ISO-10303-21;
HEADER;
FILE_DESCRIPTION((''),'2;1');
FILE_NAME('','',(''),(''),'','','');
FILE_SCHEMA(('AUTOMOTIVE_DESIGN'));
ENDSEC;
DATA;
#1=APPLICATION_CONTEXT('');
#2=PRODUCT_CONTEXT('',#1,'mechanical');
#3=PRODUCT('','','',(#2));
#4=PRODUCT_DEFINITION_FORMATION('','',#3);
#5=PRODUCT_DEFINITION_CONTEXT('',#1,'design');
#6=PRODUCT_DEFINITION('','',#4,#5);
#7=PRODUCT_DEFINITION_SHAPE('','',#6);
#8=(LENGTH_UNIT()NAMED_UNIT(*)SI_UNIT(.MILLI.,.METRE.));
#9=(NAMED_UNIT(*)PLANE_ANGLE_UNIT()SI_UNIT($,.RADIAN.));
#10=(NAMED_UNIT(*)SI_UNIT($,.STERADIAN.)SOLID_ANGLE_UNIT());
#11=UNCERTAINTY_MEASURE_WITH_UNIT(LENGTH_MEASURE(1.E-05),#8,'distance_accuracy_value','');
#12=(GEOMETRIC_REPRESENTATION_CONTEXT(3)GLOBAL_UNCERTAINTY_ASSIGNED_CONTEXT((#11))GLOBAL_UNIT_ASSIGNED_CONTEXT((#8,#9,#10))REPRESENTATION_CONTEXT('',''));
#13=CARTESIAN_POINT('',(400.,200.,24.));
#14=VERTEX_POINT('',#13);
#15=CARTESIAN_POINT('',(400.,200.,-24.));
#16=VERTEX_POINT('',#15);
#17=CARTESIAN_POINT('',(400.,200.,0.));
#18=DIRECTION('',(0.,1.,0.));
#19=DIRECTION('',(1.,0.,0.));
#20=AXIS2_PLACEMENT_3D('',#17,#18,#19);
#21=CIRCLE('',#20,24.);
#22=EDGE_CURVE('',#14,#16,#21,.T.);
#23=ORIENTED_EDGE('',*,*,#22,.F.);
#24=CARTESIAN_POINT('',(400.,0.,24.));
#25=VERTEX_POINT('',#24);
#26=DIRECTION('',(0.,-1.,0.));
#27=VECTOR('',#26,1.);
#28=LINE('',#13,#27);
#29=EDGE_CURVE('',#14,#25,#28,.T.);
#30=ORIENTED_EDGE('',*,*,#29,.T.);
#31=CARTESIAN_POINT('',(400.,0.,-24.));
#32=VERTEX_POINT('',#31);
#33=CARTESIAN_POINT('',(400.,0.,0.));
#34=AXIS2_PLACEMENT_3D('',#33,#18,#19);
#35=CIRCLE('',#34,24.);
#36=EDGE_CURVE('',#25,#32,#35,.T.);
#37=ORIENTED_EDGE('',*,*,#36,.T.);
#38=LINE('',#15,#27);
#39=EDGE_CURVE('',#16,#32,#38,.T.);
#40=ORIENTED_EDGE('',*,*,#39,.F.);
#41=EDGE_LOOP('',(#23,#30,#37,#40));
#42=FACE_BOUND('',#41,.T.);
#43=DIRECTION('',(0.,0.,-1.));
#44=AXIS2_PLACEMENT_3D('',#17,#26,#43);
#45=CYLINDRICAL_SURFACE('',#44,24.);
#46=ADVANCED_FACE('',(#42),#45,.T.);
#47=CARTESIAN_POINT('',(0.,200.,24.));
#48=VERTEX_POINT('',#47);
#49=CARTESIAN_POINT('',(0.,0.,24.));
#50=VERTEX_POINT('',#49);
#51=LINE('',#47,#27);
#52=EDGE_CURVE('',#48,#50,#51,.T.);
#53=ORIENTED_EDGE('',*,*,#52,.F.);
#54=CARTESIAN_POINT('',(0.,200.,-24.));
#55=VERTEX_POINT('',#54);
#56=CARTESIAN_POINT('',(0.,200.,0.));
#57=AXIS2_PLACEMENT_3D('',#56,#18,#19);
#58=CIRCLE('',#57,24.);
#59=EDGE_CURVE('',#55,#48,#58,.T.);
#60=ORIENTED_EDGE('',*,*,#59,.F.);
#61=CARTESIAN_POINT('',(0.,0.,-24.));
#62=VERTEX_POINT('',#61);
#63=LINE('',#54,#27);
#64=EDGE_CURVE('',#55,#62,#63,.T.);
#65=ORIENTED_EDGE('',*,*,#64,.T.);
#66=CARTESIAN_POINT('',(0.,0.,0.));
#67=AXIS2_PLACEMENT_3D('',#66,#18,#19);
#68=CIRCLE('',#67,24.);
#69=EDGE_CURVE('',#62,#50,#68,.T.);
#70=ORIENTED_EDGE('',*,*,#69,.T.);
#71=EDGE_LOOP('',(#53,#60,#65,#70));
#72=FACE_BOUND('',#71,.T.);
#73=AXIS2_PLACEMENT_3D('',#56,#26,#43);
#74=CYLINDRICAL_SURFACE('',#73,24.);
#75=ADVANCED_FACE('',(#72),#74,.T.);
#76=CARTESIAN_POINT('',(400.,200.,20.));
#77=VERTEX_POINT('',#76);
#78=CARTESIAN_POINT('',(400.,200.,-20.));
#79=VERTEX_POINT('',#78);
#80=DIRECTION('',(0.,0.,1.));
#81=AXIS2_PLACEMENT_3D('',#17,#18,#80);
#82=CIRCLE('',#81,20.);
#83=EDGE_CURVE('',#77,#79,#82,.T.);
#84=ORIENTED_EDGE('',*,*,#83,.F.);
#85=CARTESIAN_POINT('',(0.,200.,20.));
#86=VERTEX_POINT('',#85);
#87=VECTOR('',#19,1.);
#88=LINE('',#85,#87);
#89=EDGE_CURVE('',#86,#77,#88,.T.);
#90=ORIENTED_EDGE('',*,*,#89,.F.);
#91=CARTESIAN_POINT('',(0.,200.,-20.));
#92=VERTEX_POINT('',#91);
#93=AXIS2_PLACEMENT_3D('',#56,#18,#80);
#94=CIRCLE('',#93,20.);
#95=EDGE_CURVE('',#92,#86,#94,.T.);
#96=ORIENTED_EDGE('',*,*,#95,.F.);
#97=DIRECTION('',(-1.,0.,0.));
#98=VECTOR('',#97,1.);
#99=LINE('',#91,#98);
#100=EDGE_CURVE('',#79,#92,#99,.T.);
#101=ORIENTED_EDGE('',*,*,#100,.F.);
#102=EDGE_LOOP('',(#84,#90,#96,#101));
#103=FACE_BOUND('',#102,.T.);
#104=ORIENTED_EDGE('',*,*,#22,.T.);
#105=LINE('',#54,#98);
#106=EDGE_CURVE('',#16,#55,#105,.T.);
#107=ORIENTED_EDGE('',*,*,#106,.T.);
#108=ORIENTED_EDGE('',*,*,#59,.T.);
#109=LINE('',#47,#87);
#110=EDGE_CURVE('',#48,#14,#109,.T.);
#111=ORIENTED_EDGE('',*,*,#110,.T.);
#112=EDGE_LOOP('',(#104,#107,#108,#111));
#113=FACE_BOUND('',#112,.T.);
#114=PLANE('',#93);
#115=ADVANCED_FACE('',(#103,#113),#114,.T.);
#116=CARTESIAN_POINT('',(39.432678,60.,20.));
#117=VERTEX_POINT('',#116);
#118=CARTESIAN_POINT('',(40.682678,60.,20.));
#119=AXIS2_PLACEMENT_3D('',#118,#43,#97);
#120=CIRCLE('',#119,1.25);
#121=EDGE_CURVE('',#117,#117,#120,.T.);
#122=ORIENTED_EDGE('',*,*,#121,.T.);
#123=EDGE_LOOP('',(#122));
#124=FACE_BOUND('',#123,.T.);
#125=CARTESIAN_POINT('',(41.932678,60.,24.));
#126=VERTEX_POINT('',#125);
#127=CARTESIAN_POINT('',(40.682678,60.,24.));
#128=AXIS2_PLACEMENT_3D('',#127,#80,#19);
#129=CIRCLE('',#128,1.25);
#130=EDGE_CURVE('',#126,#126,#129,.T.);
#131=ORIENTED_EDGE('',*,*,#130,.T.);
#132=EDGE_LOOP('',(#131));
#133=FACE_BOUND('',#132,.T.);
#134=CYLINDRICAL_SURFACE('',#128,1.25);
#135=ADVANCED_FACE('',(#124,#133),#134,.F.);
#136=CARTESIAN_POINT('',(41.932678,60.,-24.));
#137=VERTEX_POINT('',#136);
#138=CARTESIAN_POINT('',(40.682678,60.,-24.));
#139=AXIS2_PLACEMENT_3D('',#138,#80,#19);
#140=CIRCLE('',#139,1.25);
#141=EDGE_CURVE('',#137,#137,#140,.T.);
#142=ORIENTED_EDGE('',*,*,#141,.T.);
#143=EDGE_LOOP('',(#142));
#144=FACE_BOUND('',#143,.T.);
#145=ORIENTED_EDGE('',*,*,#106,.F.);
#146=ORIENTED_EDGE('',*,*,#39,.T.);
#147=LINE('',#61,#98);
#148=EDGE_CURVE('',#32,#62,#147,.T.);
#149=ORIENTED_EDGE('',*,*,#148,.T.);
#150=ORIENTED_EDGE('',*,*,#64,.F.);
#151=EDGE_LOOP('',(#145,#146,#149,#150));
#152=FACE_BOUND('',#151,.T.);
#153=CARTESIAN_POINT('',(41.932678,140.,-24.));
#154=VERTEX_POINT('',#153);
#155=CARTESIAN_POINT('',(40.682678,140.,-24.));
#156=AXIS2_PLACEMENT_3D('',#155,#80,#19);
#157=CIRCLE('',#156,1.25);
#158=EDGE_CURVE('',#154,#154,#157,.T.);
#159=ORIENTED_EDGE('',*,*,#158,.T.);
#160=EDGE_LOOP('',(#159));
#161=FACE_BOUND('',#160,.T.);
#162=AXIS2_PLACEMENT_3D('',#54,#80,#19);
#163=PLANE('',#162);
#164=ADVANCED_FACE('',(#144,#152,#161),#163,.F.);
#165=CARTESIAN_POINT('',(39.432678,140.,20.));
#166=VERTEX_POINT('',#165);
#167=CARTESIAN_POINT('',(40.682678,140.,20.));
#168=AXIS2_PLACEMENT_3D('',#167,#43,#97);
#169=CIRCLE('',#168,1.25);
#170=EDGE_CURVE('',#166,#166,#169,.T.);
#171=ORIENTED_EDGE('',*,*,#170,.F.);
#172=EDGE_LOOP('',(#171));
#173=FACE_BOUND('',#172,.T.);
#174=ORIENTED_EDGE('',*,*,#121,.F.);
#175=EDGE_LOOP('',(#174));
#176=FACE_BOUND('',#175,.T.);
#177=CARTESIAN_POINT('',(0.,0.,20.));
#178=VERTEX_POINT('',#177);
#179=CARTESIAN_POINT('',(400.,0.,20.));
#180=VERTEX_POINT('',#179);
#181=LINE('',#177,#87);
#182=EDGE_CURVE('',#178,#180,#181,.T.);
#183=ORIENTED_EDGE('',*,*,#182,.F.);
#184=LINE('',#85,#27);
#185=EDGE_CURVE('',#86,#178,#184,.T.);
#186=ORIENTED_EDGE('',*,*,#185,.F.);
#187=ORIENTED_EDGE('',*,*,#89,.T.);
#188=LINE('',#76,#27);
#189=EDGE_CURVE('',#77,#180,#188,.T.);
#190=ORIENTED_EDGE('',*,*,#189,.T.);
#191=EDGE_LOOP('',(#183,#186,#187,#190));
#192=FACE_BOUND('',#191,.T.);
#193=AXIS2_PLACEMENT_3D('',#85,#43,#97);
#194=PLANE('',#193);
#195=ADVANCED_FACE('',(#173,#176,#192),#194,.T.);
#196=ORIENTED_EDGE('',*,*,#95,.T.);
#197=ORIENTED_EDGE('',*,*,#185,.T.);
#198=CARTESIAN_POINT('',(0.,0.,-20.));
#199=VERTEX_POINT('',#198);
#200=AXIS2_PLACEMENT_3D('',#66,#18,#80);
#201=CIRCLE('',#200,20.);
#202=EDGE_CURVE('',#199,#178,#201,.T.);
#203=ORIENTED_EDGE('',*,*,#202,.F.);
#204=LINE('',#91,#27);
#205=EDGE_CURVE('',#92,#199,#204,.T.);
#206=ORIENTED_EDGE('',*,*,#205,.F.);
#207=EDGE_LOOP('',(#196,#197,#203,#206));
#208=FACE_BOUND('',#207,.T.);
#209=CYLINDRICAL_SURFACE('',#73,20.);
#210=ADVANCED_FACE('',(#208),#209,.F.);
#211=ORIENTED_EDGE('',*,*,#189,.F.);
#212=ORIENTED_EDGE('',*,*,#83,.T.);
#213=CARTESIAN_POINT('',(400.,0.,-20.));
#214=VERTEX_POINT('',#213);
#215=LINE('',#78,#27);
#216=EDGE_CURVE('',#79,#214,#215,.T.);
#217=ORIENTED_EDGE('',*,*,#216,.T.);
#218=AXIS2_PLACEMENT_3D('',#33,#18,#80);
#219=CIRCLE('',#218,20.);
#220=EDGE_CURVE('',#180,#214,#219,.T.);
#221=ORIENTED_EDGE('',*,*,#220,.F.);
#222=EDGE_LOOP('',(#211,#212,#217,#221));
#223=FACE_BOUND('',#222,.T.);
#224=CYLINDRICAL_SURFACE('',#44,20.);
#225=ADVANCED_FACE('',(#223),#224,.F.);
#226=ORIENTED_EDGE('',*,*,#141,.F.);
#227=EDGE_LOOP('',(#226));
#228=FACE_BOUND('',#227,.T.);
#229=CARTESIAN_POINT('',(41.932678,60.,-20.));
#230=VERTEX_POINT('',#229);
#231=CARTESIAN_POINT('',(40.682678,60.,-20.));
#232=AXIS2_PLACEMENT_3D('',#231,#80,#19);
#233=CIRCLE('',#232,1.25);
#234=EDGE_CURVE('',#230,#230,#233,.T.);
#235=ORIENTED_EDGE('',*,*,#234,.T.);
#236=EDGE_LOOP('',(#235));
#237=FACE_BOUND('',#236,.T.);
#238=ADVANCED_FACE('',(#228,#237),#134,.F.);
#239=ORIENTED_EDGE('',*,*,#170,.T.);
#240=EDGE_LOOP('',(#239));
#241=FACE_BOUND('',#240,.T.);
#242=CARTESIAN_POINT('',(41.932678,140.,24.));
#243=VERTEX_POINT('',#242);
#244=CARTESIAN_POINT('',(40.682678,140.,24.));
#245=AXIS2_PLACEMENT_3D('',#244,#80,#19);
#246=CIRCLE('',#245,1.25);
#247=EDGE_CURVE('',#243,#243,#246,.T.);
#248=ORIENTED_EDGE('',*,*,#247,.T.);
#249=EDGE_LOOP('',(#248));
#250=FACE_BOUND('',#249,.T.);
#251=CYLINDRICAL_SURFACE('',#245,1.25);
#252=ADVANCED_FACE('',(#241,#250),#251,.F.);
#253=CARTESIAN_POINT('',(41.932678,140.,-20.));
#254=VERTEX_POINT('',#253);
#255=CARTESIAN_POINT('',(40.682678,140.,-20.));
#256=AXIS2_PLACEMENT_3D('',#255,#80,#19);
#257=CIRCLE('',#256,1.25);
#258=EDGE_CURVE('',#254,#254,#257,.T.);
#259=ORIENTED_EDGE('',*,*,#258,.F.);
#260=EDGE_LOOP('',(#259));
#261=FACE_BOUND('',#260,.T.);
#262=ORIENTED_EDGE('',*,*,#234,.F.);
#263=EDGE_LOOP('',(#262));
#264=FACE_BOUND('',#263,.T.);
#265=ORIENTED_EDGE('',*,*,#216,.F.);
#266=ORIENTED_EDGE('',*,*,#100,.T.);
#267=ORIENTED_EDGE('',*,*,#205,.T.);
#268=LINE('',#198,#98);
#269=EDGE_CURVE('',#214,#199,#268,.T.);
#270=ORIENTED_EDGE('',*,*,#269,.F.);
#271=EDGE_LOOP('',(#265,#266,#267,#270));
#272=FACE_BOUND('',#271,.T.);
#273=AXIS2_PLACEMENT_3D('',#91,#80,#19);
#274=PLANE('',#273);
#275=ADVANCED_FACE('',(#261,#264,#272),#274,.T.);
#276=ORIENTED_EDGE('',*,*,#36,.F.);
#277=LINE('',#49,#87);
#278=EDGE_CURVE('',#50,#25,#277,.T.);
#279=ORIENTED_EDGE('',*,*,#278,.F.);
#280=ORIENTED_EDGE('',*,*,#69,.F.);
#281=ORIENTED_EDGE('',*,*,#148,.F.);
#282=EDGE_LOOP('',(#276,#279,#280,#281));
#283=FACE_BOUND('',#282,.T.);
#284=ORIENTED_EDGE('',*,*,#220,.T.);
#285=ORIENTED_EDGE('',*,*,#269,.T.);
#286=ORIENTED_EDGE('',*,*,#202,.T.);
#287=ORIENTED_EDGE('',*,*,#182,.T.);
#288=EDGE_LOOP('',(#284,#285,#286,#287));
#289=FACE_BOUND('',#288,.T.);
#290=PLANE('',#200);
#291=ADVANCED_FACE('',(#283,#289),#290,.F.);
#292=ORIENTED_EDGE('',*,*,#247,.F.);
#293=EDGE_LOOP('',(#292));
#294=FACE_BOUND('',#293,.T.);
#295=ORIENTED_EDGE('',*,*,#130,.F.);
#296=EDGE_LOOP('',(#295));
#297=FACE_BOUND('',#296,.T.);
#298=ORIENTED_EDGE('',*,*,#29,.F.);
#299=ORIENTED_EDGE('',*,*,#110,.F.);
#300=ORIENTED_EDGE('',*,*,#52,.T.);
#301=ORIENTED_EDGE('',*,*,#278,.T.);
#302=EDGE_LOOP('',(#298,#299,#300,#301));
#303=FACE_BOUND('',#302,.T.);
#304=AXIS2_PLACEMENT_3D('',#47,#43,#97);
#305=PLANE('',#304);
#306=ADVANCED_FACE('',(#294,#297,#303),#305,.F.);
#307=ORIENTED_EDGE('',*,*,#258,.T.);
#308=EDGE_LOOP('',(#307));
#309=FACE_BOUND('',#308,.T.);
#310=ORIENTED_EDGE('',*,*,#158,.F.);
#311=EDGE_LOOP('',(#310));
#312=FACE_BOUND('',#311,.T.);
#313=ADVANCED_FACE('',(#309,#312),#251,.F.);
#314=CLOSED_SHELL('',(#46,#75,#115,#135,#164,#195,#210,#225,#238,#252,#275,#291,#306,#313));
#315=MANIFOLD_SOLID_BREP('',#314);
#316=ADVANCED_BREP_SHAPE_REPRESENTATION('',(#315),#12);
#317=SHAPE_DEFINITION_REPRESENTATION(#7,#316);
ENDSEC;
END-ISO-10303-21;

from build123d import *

# Parameters (mm, degrees)
EXTRUDE_1_DEPTH    = 200
HOLE_WIZARD_M3_1_D = 2.5


with BuildPart() as part:
    # 草图1 → 拉伸-薄壁1 (new body)
    with BuildSketch(Plane(origin=(0, 0, 0), x_dir=(1, 0, 0), z_dir=(0, 1, 0))):
        with BuildLine():
            Line((400, -24), (0, -24))
            ThreePointArc((0, -24), (-24, 0), (0, 24))
            Line((0, 24), (400, 24))
            ThreePointArc((400, 24), (424, 0), (400, -24))
        make_face()
        with BuildLine():
            Line((400, -20), (0, -20))
            ThreePointArc((0, -20), (-20, 0), (0, 20))
            Line((0, 20), (400, 20))
            ThreePointArc((400, 20), (420, 0), (400, -20))
        make_face(mode=Mode.SUBTRACT)
    extrude(amount=EXTRUDE_1_DEPTH)

    # M3 螺纹孔1 (through all)
    with Locations(Plane.XY.offset(24)):
        with Locations((40.682677542, 140), (40.682677542, 60)):
            Hole(HOLE_WIZARD_M3_1_D / 2)


solid = part.part
